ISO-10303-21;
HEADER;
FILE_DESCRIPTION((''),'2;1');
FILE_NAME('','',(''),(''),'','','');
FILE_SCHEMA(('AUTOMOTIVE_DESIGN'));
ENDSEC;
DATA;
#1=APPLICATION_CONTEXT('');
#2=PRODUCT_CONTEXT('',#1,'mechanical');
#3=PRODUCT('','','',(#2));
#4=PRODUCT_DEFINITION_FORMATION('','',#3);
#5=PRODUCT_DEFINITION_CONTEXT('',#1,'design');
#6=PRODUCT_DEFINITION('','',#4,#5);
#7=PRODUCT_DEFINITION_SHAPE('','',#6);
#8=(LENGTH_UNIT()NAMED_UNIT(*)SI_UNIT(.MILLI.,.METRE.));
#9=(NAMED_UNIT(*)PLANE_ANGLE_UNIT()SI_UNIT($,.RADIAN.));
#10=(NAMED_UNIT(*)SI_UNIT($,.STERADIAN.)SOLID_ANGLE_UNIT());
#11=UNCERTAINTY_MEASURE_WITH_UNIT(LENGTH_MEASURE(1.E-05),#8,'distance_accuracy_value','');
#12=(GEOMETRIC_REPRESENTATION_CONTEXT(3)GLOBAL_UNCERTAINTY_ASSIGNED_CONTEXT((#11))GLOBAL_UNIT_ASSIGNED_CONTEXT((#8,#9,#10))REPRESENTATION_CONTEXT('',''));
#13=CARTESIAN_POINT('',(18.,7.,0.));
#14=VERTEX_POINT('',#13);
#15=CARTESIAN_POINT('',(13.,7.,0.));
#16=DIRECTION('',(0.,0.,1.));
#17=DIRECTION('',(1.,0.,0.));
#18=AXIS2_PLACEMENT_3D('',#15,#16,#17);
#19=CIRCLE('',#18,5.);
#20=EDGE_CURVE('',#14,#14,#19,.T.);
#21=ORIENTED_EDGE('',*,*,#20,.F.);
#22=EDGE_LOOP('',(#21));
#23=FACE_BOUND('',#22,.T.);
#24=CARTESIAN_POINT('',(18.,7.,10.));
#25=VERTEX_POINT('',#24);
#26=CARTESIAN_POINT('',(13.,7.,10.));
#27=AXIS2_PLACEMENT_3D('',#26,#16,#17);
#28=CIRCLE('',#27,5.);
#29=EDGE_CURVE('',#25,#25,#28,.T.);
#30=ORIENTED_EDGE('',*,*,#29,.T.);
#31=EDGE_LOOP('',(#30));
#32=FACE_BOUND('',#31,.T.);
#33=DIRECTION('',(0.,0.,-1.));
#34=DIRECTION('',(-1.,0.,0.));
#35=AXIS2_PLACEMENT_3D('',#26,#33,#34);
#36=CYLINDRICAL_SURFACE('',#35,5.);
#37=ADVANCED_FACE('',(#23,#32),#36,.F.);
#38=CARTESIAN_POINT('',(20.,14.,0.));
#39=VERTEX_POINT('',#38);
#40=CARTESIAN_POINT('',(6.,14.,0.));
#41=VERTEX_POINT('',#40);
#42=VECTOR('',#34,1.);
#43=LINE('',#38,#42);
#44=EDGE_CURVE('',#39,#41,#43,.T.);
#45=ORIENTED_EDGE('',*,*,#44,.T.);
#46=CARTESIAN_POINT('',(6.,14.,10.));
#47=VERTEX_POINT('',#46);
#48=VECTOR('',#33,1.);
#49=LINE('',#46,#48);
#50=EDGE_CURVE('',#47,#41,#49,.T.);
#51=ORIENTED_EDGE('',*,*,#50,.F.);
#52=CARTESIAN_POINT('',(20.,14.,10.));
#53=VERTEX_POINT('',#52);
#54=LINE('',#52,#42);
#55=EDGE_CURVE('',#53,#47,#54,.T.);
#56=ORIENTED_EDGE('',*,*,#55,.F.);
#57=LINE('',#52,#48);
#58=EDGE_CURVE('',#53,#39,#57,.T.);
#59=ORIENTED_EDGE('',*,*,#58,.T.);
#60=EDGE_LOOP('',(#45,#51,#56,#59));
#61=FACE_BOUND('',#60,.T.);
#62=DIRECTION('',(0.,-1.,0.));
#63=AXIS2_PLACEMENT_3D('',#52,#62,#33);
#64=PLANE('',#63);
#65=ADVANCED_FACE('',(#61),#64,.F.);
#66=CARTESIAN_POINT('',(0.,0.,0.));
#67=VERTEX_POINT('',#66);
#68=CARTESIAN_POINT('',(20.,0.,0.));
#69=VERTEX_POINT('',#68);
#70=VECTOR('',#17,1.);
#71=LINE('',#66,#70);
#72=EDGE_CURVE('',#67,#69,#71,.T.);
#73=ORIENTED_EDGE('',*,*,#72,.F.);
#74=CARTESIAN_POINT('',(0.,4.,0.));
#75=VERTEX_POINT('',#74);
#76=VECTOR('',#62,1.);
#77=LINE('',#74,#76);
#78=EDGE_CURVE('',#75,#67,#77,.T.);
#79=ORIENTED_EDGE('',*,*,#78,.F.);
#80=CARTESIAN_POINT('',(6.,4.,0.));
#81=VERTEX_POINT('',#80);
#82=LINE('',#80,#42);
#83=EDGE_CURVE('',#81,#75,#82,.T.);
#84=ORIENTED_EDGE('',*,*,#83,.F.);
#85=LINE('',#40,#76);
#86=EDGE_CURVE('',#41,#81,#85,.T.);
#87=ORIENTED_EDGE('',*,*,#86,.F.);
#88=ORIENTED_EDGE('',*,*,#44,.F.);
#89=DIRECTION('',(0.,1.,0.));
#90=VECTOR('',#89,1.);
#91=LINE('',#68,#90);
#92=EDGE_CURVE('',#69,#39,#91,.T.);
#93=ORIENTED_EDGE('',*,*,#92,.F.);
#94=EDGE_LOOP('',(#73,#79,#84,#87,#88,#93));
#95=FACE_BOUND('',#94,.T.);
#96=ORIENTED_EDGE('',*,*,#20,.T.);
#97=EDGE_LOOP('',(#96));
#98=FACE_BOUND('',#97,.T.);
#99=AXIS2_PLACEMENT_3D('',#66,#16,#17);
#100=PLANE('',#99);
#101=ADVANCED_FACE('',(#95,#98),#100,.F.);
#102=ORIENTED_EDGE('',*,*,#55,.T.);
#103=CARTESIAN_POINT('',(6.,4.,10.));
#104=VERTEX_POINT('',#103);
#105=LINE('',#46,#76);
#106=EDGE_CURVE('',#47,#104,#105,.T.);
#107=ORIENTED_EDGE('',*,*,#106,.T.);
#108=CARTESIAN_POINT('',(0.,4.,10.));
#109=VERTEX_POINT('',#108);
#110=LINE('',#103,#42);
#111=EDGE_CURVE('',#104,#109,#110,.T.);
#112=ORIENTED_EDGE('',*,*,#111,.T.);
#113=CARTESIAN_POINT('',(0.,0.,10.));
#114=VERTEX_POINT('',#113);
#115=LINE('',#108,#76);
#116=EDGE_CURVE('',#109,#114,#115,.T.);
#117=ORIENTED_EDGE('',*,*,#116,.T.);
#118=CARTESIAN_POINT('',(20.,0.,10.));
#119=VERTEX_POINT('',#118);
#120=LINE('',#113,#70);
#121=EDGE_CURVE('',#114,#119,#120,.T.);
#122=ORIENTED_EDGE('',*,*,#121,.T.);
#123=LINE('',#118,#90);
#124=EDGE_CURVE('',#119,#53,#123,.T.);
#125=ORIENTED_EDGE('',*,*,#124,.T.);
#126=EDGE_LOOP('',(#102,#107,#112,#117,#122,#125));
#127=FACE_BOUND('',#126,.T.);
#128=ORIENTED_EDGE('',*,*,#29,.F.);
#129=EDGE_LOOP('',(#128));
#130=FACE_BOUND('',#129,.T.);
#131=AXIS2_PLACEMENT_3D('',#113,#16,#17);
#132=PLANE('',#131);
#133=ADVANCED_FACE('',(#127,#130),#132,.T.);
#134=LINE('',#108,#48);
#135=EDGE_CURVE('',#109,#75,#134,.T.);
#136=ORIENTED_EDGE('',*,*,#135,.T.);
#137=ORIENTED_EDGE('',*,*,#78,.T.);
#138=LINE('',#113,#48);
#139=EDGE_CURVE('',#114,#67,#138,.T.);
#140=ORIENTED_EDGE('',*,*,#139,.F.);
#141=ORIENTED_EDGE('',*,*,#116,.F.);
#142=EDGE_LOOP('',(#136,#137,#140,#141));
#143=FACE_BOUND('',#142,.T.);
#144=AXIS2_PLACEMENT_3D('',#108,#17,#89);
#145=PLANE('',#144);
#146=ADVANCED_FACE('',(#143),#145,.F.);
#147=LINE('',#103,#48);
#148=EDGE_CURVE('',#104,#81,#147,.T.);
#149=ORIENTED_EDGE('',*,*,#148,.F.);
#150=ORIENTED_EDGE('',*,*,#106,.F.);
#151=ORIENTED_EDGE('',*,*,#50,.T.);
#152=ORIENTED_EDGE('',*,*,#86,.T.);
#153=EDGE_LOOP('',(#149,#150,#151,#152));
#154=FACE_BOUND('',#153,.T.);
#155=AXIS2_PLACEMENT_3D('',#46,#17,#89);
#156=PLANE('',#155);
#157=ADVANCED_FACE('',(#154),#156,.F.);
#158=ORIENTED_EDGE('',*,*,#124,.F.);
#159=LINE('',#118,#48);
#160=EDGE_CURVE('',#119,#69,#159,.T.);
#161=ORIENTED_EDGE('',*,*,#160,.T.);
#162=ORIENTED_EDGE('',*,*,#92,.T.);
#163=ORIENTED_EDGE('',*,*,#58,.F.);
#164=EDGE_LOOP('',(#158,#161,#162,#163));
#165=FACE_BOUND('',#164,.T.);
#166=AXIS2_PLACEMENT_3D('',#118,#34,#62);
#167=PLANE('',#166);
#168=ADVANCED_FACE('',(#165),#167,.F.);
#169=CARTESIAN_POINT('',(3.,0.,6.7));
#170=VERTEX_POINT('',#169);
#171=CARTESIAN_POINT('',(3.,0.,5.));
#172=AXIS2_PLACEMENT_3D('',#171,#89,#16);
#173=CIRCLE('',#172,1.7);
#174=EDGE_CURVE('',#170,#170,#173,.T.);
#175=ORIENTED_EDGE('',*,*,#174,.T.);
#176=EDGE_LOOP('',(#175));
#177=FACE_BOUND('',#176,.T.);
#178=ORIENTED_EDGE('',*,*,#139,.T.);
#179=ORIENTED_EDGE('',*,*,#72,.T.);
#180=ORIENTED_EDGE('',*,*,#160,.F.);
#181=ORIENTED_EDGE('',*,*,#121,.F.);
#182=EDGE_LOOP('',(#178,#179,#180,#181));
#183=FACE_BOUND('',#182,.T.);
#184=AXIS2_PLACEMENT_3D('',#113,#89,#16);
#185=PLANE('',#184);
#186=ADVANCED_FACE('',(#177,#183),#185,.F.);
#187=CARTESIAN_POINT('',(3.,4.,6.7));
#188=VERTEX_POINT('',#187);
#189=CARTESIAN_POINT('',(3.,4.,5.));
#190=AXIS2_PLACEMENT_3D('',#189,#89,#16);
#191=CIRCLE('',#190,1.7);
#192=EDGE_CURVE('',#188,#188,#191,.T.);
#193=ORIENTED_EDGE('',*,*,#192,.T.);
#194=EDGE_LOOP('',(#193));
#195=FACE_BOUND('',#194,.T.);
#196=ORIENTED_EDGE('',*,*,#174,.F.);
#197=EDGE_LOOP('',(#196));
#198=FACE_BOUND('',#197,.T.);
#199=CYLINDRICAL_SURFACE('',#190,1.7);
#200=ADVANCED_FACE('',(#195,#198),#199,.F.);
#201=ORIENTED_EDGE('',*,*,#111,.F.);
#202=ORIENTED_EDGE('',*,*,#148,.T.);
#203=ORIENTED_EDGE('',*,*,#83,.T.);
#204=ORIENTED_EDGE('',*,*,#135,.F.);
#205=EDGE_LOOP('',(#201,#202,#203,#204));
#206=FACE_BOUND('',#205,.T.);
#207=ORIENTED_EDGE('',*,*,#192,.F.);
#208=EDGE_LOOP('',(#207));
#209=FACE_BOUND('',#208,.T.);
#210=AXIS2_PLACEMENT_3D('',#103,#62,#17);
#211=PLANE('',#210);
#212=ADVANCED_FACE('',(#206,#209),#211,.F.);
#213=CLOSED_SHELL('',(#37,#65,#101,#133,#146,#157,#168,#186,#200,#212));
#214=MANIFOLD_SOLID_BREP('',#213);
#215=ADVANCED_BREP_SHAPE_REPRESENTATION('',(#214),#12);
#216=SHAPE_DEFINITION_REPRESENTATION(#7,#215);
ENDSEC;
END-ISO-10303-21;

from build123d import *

# Parameters (mm, degrees)
SKETCH1_R            = 5
BOSS_EXTRUDE1_DEPTH  = 10
M3_CLEARANCE_HOLE1_D = 3.4


with BuildPart() as part:
    # Sketch1 → Boss-Extrude1 (new body)
    with BuildSketch(Plane.XY):
        Polygon((0, 0), (20, 0), (20, 14), (6, 14), (6, 4), (0, 4), align=None)
        with Locations((13, 7)):
            Circle(SKETCH1_R, mode=Mode.SUBTRACT)
    extrude(amount=BOSS_EXTRUDE1_DEPTH)

    # M3 Clearance Hole1 (through all)
    with Locations(Plane(origin=(0, 4, 0), x_dir=(-1, 0, 0), z_dir=(0, 1, 0))):
        with Locations((-3, 5)):
            Hole(M3_CLEARANCE_HOLE1_D / 2)


solid = part.part
